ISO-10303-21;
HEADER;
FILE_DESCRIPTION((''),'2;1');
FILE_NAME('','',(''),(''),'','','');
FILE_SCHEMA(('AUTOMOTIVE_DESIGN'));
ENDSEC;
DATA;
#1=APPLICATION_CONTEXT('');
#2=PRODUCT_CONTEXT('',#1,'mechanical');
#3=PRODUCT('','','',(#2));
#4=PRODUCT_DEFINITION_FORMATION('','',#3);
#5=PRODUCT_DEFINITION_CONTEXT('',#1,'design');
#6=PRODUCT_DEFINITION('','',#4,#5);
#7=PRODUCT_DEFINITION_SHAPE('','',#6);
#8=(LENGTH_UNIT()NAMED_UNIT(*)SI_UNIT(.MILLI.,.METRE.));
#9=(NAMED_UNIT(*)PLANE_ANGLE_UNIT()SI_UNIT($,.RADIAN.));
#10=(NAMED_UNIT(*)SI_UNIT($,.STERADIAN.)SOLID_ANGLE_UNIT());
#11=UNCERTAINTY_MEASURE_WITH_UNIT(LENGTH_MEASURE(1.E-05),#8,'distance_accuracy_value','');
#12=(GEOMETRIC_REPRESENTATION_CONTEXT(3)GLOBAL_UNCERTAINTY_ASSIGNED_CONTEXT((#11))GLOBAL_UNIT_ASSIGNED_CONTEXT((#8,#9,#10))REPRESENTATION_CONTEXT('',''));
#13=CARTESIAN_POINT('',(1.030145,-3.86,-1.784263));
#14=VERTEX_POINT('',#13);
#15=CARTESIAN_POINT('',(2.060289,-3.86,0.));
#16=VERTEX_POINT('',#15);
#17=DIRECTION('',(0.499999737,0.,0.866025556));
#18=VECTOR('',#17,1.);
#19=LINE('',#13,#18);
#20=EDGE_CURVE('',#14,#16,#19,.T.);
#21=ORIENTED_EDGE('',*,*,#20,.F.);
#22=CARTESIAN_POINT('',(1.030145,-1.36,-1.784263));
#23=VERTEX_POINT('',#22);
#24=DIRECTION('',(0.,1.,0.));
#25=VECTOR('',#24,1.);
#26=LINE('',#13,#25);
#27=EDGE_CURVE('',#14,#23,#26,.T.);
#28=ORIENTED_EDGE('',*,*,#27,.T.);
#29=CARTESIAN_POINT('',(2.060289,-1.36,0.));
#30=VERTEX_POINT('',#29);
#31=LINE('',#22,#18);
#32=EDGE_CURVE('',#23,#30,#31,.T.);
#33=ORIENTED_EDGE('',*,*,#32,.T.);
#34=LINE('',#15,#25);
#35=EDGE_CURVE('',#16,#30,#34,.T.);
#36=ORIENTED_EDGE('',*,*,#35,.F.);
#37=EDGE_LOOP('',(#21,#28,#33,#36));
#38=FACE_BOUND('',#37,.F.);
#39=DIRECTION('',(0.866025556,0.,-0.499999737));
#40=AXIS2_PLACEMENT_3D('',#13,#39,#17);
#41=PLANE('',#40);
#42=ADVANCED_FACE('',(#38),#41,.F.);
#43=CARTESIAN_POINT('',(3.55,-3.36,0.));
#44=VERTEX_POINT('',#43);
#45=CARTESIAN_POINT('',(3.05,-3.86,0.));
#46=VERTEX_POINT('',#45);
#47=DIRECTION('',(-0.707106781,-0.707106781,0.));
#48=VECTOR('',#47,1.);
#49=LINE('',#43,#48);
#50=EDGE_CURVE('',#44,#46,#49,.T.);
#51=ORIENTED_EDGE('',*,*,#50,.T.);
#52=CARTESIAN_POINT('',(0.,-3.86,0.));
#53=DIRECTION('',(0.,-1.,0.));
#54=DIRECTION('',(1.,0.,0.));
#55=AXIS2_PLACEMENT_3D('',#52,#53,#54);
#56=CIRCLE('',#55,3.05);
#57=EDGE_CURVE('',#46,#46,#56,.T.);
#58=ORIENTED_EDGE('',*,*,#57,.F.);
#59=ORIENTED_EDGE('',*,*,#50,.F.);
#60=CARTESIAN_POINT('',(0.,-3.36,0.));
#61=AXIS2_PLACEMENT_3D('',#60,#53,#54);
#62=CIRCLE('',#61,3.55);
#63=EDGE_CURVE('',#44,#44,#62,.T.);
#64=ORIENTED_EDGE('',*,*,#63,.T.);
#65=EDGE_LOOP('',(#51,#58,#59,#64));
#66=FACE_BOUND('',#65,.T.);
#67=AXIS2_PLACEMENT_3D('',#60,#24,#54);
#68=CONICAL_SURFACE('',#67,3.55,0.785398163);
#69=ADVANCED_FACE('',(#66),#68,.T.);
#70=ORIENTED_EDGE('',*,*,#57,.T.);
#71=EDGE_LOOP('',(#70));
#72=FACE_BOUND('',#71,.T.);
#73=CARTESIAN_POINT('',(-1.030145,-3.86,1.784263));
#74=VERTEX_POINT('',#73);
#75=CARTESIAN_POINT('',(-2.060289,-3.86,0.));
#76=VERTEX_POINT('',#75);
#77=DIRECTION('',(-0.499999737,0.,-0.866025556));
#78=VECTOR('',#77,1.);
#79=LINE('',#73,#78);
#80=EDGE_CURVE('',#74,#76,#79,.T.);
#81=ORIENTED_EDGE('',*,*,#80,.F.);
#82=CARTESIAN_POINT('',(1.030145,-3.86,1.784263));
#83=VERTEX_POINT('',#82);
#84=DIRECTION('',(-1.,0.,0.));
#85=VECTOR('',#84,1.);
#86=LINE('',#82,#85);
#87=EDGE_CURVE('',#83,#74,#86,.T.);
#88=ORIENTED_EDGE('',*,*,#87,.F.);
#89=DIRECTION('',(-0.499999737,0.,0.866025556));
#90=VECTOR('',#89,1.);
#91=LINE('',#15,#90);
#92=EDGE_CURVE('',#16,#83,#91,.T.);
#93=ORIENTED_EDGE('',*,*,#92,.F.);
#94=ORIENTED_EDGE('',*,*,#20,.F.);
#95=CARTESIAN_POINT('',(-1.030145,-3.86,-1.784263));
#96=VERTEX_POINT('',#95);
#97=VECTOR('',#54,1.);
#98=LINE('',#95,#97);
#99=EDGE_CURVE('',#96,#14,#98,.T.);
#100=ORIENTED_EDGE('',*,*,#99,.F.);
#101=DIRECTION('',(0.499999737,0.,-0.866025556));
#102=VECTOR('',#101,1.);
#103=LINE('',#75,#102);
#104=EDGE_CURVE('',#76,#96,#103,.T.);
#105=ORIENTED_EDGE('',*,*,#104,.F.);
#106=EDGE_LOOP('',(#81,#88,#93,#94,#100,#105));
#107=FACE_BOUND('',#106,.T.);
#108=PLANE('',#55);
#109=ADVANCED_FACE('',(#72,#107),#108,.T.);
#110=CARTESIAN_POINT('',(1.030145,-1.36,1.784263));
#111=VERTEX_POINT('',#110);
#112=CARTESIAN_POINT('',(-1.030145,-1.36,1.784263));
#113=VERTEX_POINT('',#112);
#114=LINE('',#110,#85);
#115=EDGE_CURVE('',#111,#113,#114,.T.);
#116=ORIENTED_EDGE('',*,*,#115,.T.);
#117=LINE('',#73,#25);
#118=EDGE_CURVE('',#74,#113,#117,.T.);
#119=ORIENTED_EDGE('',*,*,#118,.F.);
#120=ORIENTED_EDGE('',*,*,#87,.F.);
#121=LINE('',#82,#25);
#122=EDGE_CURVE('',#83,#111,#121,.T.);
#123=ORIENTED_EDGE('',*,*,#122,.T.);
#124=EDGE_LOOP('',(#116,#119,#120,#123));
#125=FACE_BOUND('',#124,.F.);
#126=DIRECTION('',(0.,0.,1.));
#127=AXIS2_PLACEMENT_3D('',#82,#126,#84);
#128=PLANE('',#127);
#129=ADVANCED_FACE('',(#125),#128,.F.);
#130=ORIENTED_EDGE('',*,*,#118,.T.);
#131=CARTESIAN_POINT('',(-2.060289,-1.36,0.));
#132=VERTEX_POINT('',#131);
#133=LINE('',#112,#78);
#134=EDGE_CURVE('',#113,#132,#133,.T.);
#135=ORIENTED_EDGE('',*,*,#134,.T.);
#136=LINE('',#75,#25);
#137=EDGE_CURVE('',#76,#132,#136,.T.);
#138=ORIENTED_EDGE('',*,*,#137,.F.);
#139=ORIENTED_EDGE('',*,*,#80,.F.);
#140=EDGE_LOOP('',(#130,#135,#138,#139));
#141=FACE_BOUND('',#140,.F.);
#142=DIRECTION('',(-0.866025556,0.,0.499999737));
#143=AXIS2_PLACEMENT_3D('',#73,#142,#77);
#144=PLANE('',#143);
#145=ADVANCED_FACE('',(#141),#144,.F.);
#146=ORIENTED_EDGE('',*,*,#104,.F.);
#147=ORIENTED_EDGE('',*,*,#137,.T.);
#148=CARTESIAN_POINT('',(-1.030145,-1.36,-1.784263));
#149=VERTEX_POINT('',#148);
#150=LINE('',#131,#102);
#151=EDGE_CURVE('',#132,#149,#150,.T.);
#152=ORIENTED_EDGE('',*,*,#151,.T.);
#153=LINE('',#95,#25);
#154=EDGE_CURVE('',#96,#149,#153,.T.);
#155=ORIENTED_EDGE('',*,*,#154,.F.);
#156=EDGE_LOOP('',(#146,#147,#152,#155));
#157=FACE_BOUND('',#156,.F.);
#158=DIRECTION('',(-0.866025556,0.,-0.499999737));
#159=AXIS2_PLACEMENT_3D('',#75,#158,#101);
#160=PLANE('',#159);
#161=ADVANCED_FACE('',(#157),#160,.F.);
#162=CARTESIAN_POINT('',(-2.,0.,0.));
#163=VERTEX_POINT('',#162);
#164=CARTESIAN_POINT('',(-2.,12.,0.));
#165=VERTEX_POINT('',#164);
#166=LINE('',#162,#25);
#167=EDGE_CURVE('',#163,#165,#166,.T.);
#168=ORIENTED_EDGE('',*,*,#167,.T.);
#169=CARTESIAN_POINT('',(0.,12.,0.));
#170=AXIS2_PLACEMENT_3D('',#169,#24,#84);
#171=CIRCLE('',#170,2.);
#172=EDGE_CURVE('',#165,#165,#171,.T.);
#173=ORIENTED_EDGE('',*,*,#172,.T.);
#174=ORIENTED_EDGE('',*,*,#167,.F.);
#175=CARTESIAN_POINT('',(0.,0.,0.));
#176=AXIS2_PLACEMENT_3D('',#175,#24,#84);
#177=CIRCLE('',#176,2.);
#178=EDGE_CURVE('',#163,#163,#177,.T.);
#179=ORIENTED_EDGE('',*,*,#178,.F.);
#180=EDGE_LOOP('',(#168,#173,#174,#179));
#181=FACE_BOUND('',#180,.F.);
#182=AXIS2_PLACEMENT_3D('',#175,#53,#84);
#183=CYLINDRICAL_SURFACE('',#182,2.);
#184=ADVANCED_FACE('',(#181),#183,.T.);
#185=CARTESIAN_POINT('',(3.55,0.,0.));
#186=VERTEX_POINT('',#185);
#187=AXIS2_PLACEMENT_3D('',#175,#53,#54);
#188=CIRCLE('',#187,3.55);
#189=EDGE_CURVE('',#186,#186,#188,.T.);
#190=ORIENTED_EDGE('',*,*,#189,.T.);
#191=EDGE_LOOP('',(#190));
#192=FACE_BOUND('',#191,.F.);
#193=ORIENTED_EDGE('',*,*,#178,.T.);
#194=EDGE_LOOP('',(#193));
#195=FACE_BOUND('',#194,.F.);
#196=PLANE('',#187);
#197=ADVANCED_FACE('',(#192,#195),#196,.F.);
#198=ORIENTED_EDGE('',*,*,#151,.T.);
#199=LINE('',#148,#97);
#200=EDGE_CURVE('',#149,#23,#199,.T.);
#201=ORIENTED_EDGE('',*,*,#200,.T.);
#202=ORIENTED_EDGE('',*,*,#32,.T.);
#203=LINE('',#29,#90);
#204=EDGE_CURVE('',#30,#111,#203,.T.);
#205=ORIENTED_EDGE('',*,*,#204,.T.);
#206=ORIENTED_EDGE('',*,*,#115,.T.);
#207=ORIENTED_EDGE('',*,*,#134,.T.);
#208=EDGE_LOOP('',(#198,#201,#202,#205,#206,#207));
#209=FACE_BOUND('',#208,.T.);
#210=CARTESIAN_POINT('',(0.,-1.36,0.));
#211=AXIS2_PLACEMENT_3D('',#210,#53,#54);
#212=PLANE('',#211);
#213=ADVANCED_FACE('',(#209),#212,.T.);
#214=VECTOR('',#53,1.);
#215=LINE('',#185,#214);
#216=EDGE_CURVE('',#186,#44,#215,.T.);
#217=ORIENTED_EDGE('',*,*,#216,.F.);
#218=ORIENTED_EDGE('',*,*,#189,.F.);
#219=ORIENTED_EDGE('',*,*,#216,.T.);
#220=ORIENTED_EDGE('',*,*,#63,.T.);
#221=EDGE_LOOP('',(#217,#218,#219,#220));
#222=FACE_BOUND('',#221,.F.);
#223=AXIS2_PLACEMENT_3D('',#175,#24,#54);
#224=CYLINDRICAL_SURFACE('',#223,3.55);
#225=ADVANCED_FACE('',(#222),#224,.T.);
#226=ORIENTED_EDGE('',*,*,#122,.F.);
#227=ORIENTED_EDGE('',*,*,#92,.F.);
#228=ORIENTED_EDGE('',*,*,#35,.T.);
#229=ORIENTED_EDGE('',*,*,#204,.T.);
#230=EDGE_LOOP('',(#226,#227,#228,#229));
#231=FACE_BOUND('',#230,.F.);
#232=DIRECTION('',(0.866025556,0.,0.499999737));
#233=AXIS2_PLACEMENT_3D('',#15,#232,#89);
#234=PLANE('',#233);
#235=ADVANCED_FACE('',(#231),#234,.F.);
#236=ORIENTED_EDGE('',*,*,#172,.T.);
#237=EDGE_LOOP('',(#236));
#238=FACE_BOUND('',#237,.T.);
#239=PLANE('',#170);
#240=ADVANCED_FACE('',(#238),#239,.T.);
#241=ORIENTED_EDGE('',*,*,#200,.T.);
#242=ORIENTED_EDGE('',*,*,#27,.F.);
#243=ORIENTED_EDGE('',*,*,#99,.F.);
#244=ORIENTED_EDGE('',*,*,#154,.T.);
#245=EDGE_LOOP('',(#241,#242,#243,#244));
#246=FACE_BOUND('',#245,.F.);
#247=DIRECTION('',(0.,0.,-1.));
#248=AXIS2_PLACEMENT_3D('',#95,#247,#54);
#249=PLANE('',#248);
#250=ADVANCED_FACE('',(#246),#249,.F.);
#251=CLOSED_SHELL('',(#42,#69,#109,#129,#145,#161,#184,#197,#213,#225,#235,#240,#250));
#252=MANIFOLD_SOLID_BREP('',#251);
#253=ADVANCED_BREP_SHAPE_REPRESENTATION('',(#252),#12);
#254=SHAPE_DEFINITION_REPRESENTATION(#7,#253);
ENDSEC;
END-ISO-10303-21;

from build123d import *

# Parameters (mm, degrees)
F0_R     = 3.55
F1_DEPTH = 3.86
F3_DEPTH = 2.5
F4_R     = 2
F5_DEPTH = 12
F6_SIZE  = 0.5


with BuildPart() as f1:
    # F0 (on Front) → F1 (new body)
    with BuildSketch(Plane.XZ):
        Circle(F0_R)
    extrude(amount=F1_DEPTH)

    # F2 (on face) → F3 (cut)
    with BuildSketch(Plane.XZ.offset(3.86)):
        Polygon((-1.030145, -1.784263), (1.030145, -1.784263), (2.060289, 0), (1.030145, 1.784263), (-1.030145, 1.784263), (-2.060289, 0), align=None)
    extrude(amount=-F3_DEPTH, mode=Mode.SUBTRACT)

    # F4 (on face) → F5 (join)
    with BuildSketch(Plane(origin=(0, 0, 0), x_dir=(-1, 0, 0), z_dir=(0, 1, 0))):
        Circle(F4_R)
    extrude(amount=F5_DEPTH)

    # F6
    f6_edges = [f1.edges().sort_by_distance(p)[0] for p in [
        (-3.55, -3.86, 0),
    ]]
    chamfer(f6_edges, length=F6_SIZE)


solid = f1.part
